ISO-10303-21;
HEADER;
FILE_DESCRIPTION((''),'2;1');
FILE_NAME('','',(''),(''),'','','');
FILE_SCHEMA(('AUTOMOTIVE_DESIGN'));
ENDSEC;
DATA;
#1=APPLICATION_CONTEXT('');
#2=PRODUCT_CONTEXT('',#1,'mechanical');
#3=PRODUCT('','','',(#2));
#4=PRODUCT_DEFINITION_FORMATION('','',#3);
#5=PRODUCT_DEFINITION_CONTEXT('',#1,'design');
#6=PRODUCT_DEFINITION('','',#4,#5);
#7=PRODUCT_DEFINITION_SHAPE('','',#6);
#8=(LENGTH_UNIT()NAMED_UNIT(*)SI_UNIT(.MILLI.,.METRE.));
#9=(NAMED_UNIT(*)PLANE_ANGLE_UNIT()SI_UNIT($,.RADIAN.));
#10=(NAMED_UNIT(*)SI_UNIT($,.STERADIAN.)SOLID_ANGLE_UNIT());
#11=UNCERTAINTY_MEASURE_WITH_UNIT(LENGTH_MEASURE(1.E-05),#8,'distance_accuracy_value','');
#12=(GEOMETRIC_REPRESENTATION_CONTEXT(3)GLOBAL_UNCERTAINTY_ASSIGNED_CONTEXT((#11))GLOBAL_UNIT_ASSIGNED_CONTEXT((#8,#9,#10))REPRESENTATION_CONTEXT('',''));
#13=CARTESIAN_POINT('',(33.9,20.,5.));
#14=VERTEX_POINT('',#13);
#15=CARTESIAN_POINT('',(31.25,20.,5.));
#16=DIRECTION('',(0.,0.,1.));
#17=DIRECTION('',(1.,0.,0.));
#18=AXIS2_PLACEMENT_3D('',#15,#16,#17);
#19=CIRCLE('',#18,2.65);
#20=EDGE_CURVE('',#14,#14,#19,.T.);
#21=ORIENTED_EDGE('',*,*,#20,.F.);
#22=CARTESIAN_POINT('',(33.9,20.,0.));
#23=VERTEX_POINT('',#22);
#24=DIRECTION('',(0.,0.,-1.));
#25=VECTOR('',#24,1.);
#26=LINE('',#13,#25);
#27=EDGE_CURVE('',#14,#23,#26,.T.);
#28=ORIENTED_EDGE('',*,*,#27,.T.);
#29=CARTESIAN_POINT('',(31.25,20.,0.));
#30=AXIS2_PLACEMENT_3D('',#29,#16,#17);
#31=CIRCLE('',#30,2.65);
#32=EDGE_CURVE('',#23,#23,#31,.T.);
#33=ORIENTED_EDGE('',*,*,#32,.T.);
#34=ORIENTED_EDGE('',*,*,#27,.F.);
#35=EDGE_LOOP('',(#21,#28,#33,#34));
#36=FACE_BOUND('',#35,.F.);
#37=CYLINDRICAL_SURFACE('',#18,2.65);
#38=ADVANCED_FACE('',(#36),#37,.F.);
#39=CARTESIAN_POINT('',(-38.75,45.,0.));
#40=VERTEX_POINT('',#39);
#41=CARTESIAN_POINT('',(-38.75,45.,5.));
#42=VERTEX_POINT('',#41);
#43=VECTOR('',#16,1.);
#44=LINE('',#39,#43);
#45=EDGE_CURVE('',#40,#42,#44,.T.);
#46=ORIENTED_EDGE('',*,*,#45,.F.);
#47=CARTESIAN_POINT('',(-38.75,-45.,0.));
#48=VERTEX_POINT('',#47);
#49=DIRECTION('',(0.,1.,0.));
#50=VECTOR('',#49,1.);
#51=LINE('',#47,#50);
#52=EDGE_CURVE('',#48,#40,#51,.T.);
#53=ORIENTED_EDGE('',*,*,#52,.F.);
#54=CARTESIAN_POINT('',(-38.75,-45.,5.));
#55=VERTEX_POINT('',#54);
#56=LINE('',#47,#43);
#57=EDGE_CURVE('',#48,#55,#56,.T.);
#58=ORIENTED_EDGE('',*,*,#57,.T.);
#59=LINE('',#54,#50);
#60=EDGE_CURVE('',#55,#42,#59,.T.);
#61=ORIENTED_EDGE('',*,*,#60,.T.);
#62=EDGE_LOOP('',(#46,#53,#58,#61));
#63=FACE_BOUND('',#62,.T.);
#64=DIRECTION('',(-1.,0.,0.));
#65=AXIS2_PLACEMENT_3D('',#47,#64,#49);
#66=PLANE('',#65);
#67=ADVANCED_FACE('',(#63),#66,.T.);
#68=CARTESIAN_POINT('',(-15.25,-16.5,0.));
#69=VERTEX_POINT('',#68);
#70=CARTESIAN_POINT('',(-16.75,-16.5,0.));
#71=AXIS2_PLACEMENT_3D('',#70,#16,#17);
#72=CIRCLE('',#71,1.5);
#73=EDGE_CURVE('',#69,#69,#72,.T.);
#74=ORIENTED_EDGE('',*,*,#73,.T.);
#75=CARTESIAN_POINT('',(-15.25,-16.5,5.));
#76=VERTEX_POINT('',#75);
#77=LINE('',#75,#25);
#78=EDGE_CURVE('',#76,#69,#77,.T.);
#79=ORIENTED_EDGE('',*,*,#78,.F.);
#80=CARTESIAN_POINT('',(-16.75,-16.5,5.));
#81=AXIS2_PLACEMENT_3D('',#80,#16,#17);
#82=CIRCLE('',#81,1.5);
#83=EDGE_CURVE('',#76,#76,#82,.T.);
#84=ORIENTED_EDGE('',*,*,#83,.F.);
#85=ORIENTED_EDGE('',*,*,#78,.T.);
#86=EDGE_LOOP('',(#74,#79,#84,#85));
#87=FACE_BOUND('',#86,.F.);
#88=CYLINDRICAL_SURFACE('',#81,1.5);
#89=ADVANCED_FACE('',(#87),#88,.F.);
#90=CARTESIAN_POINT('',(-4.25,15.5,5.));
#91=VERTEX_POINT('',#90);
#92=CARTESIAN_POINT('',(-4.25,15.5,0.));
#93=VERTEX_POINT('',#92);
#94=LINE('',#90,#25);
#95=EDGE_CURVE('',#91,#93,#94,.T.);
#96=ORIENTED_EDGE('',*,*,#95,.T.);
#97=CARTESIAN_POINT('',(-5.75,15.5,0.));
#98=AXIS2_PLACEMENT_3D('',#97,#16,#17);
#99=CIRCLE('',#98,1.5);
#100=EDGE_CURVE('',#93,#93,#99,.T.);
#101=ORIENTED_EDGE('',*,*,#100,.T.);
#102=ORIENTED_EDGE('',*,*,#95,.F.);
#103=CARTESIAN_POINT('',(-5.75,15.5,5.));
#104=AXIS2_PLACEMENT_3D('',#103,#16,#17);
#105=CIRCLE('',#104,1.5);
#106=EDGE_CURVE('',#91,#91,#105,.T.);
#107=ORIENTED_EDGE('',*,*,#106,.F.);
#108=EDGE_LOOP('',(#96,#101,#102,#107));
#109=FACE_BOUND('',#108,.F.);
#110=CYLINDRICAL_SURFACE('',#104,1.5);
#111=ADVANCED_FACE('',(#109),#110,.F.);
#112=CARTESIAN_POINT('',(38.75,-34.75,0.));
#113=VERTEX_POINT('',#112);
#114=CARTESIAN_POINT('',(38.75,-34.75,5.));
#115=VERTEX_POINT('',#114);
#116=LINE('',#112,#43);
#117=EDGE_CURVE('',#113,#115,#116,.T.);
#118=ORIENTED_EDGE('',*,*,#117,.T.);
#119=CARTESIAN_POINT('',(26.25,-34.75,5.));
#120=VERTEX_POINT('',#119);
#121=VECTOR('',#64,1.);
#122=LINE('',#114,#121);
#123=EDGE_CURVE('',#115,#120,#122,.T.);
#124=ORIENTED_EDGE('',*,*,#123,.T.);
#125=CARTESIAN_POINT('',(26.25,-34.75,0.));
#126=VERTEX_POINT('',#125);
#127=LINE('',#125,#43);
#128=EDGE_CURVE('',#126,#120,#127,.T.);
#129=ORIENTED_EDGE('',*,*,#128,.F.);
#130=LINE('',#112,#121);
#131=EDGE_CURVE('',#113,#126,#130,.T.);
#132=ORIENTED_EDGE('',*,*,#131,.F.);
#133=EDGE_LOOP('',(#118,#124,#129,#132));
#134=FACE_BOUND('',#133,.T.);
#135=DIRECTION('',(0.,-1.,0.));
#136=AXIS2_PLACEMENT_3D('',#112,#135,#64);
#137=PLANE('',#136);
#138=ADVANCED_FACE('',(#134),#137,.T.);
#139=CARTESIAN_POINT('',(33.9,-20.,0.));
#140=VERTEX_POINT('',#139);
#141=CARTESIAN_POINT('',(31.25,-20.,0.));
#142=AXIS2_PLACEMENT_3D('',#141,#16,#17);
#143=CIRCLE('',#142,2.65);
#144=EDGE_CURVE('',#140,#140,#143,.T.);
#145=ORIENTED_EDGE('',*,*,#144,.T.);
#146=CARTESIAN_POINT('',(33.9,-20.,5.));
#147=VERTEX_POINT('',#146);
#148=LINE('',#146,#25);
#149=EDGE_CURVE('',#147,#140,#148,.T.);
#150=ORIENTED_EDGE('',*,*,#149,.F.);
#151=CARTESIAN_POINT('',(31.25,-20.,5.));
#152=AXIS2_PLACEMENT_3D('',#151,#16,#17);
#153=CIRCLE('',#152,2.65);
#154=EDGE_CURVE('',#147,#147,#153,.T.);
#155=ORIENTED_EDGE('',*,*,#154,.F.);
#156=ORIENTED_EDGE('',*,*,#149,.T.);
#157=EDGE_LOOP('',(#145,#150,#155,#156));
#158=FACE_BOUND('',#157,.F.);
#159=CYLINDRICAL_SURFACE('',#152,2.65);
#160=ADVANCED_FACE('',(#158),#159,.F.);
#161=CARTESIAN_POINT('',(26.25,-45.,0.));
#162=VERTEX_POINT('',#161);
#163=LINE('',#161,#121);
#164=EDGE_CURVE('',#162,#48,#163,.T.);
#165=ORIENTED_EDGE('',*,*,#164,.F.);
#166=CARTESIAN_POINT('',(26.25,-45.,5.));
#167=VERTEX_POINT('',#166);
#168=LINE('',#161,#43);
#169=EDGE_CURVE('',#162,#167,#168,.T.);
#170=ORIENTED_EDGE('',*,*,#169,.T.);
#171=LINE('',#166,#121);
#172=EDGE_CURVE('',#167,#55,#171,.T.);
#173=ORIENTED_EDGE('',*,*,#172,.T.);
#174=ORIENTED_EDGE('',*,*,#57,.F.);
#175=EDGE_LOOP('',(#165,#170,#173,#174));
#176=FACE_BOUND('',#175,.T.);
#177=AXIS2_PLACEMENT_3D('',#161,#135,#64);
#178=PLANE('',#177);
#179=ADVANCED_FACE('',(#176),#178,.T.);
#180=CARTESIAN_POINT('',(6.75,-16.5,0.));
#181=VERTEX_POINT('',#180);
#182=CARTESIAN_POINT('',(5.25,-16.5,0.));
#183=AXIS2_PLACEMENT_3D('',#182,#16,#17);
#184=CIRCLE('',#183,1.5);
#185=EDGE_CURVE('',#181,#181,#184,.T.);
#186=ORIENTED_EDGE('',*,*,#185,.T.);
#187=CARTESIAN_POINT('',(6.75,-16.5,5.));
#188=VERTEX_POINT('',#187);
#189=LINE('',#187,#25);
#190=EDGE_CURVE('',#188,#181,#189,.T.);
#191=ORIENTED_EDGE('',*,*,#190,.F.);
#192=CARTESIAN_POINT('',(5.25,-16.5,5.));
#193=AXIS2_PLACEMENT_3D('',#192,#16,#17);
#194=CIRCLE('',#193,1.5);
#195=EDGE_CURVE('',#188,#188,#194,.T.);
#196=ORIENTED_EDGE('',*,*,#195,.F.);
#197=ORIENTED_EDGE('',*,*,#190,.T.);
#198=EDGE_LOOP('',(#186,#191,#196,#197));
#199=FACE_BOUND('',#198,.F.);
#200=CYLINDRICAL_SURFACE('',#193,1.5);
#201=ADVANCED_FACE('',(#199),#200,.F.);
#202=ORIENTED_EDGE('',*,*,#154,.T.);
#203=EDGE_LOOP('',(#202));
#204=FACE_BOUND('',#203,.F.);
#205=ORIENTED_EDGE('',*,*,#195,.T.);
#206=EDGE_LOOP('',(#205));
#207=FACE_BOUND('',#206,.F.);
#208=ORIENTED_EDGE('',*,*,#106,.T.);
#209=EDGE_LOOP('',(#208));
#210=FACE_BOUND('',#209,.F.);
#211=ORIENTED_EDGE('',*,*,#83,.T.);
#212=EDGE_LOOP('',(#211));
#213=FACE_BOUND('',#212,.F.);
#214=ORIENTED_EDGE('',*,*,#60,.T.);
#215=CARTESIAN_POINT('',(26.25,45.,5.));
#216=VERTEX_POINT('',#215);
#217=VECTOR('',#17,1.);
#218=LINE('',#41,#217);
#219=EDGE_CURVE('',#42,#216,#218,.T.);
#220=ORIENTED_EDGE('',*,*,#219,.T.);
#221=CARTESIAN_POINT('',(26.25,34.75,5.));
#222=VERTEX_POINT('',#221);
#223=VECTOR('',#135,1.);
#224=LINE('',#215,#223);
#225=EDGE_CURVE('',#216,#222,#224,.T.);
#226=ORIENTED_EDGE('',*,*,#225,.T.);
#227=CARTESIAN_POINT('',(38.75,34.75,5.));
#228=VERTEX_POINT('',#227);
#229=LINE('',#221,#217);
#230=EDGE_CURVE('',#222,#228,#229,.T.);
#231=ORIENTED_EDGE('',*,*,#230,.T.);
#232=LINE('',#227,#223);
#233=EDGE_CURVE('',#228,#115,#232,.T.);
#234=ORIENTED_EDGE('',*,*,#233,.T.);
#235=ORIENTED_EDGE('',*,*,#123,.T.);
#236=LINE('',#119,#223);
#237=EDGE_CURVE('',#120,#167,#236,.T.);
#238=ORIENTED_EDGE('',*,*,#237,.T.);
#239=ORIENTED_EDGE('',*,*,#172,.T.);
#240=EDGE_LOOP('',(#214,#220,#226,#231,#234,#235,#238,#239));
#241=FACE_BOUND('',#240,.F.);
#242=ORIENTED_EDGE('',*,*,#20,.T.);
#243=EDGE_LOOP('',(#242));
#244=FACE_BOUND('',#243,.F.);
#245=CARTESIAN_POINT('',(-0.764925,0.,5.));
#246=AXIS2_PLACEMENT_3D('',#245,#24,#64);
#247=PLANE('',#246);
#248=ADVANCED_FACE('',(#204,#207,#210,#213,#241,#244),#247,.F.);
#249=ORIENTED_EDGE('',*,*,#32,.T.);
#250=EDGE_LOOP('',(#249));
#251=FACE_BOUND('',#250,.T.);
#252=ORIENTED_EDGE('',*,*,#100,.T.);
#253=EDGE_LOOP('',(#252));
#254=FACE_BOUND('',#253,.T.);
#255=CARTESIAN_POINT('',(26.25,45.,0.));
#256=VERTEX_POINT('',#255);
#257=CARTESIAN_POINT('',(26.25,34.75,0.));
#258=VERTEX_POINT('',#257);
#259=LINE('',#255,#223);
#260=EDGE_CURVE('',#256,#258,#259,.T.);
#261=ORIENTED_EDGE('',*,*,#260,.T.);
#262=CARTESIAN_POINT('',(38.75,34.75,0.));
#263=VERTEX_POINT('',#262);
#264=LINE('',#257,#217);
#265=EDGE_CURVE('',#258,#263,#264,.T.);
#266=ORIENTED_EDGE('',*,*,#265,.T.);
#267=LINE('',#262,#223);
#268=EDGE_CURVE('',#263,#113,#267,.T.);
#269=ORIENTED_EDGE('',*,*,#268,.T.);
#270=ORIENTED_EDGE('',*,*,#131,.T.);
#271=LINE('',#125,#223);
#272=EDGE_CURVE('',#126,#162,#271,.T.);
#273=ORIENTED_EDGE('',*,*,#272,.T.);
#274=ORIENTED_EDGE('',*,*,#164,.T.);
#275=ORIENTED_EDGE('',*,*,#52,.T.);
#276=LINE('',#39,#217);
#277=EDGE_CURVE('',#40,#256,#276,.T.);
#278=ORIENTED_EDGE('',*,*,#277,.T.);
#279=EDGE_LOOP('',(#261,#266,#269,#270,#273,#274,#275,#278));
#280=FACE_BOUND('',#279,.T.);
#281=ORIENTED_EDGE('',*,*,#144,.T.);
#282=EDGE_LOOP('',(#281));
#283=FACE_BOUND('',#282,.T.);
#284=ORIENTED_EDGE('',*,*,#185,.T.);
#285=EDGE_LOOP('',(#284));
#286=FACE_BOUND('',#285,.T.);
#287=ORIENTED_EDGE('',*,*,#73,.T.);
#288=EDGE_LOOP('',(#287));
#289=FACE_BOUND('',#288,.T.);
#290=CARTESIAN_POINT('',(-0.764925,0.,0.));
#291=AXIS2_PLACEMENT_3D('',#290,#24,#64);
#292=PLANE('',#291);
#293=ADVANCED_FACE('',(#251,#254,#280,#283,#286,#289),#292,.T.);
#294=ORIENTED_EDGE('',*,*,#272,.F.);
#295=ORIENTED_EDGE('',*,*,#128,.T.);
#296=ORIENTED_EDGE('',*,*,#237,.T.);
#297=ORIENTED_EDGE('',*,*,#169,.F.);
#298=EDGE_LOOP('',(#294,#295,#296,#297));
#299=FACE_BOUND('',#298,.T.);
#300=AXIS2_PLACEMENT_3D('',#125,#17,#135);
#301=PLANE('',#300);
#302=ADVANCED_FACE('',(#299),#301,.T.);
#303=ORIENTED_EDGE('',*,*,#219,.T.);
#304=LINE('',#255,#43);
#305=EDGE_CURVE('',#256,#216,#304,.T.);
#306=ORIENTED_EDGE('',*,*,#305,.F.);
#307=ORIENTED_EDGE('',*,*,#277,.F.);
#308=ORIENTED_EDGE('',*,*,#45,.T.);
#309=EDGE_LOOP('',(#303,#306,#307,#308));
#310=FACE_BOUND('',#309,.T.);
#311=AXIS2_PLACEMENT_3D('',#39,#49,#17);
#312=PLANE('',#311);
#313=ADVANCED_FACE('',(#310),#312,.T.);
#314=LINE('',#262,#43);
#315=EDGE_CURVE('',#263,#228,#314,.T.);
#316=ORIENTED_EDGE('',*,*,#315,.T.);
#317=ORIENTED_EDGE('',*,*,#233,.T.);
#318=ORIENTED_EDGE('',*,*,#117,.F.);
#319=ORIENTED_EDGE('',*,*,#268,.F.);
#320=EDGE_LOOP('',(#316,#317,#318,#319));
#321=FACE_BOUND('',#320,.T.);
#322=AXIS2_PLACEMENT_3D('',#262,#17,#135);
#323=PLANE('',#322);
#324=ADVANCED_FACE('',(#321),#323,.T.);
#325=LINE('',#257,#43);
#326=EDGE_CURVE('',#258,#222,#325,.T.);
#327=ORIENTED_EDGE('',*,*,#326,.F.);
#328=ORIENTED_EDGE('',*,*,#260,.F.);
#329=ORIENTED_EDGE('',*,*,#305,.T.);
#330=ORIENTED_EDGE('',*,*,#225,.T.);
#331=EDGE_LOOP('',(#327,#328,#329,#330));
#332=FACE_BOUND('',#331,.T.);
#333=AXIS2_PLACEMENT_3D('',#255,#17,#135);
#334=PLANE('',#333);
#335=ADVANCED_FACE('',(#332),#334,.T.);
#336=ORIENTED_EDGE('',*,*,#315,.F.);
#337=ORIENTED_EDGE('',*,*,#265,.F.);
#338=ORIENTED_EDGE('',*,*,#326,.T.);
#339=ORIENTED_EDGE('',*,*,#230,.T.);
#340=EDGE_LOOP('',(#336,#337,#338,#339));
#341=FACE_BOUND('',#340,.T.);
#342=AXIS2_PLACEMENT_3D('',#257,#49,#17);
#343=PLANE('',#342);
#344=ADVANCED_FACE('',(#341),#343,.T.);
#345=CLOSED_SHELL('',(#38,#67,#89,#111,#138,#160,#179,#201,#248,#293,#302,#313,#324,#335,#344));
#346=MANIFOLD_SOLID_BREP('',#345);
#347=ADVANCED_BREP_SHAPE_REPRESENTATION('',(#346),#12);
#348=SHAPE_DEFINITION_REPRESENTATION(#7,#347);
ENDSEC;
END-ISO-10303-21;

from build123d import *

# Parameters (mm, degrees)
PAD_DEPTH       = 5
SKETCH001_R     = 2.65
POCKET_DEPTH    = 5
SKETCH002_R     = 1.5
POCKET001_DEPTH = 5


with BuildPart() as part:
    # Sketch → Pad (new body)
    with BuildSketch(Plane.XY):
        Polygon((38.75, 34.75), (38.75, -34.75), (26.25, -34.75), (26.25, -45), (-38.75, -45), (-38.75, 45), (26.25, 45), (26.25, 34.75), align=None)
    extrude(amount=PAD_DEPTH)

    # Sketch001 (on Face10 of Pad) → Pocket (cut)
    with BuildSketch(Plane.XY.offset(5)):
        with Locations((31.25, 20)):
            Circle(SKETCH001_R)
        with Locations((31.25, -20)):
            Circle(SKETCH001_R)
    extrude(amount=-POCKET_DEPTH, mode=Mode.SUBTRACT)

    # Sketch002 (on Face5 of Pocket) → Pocket001 (cut)
    with BuildSketch(Plane.XY.offset(5)):
        with Locations((5.25, -16.5)):
            Circle(SKETCH002_R)
        with Locations((-16.75, -16.5)):
            Circle(SKETCH002_R)
        with Locations((-5.75, 15.5)):
            Circle(SKETCH002_R)
    extrude(amount=-POCKET001_DEPTH, mode=Mode.SUBTRACT)


solid = part.part
